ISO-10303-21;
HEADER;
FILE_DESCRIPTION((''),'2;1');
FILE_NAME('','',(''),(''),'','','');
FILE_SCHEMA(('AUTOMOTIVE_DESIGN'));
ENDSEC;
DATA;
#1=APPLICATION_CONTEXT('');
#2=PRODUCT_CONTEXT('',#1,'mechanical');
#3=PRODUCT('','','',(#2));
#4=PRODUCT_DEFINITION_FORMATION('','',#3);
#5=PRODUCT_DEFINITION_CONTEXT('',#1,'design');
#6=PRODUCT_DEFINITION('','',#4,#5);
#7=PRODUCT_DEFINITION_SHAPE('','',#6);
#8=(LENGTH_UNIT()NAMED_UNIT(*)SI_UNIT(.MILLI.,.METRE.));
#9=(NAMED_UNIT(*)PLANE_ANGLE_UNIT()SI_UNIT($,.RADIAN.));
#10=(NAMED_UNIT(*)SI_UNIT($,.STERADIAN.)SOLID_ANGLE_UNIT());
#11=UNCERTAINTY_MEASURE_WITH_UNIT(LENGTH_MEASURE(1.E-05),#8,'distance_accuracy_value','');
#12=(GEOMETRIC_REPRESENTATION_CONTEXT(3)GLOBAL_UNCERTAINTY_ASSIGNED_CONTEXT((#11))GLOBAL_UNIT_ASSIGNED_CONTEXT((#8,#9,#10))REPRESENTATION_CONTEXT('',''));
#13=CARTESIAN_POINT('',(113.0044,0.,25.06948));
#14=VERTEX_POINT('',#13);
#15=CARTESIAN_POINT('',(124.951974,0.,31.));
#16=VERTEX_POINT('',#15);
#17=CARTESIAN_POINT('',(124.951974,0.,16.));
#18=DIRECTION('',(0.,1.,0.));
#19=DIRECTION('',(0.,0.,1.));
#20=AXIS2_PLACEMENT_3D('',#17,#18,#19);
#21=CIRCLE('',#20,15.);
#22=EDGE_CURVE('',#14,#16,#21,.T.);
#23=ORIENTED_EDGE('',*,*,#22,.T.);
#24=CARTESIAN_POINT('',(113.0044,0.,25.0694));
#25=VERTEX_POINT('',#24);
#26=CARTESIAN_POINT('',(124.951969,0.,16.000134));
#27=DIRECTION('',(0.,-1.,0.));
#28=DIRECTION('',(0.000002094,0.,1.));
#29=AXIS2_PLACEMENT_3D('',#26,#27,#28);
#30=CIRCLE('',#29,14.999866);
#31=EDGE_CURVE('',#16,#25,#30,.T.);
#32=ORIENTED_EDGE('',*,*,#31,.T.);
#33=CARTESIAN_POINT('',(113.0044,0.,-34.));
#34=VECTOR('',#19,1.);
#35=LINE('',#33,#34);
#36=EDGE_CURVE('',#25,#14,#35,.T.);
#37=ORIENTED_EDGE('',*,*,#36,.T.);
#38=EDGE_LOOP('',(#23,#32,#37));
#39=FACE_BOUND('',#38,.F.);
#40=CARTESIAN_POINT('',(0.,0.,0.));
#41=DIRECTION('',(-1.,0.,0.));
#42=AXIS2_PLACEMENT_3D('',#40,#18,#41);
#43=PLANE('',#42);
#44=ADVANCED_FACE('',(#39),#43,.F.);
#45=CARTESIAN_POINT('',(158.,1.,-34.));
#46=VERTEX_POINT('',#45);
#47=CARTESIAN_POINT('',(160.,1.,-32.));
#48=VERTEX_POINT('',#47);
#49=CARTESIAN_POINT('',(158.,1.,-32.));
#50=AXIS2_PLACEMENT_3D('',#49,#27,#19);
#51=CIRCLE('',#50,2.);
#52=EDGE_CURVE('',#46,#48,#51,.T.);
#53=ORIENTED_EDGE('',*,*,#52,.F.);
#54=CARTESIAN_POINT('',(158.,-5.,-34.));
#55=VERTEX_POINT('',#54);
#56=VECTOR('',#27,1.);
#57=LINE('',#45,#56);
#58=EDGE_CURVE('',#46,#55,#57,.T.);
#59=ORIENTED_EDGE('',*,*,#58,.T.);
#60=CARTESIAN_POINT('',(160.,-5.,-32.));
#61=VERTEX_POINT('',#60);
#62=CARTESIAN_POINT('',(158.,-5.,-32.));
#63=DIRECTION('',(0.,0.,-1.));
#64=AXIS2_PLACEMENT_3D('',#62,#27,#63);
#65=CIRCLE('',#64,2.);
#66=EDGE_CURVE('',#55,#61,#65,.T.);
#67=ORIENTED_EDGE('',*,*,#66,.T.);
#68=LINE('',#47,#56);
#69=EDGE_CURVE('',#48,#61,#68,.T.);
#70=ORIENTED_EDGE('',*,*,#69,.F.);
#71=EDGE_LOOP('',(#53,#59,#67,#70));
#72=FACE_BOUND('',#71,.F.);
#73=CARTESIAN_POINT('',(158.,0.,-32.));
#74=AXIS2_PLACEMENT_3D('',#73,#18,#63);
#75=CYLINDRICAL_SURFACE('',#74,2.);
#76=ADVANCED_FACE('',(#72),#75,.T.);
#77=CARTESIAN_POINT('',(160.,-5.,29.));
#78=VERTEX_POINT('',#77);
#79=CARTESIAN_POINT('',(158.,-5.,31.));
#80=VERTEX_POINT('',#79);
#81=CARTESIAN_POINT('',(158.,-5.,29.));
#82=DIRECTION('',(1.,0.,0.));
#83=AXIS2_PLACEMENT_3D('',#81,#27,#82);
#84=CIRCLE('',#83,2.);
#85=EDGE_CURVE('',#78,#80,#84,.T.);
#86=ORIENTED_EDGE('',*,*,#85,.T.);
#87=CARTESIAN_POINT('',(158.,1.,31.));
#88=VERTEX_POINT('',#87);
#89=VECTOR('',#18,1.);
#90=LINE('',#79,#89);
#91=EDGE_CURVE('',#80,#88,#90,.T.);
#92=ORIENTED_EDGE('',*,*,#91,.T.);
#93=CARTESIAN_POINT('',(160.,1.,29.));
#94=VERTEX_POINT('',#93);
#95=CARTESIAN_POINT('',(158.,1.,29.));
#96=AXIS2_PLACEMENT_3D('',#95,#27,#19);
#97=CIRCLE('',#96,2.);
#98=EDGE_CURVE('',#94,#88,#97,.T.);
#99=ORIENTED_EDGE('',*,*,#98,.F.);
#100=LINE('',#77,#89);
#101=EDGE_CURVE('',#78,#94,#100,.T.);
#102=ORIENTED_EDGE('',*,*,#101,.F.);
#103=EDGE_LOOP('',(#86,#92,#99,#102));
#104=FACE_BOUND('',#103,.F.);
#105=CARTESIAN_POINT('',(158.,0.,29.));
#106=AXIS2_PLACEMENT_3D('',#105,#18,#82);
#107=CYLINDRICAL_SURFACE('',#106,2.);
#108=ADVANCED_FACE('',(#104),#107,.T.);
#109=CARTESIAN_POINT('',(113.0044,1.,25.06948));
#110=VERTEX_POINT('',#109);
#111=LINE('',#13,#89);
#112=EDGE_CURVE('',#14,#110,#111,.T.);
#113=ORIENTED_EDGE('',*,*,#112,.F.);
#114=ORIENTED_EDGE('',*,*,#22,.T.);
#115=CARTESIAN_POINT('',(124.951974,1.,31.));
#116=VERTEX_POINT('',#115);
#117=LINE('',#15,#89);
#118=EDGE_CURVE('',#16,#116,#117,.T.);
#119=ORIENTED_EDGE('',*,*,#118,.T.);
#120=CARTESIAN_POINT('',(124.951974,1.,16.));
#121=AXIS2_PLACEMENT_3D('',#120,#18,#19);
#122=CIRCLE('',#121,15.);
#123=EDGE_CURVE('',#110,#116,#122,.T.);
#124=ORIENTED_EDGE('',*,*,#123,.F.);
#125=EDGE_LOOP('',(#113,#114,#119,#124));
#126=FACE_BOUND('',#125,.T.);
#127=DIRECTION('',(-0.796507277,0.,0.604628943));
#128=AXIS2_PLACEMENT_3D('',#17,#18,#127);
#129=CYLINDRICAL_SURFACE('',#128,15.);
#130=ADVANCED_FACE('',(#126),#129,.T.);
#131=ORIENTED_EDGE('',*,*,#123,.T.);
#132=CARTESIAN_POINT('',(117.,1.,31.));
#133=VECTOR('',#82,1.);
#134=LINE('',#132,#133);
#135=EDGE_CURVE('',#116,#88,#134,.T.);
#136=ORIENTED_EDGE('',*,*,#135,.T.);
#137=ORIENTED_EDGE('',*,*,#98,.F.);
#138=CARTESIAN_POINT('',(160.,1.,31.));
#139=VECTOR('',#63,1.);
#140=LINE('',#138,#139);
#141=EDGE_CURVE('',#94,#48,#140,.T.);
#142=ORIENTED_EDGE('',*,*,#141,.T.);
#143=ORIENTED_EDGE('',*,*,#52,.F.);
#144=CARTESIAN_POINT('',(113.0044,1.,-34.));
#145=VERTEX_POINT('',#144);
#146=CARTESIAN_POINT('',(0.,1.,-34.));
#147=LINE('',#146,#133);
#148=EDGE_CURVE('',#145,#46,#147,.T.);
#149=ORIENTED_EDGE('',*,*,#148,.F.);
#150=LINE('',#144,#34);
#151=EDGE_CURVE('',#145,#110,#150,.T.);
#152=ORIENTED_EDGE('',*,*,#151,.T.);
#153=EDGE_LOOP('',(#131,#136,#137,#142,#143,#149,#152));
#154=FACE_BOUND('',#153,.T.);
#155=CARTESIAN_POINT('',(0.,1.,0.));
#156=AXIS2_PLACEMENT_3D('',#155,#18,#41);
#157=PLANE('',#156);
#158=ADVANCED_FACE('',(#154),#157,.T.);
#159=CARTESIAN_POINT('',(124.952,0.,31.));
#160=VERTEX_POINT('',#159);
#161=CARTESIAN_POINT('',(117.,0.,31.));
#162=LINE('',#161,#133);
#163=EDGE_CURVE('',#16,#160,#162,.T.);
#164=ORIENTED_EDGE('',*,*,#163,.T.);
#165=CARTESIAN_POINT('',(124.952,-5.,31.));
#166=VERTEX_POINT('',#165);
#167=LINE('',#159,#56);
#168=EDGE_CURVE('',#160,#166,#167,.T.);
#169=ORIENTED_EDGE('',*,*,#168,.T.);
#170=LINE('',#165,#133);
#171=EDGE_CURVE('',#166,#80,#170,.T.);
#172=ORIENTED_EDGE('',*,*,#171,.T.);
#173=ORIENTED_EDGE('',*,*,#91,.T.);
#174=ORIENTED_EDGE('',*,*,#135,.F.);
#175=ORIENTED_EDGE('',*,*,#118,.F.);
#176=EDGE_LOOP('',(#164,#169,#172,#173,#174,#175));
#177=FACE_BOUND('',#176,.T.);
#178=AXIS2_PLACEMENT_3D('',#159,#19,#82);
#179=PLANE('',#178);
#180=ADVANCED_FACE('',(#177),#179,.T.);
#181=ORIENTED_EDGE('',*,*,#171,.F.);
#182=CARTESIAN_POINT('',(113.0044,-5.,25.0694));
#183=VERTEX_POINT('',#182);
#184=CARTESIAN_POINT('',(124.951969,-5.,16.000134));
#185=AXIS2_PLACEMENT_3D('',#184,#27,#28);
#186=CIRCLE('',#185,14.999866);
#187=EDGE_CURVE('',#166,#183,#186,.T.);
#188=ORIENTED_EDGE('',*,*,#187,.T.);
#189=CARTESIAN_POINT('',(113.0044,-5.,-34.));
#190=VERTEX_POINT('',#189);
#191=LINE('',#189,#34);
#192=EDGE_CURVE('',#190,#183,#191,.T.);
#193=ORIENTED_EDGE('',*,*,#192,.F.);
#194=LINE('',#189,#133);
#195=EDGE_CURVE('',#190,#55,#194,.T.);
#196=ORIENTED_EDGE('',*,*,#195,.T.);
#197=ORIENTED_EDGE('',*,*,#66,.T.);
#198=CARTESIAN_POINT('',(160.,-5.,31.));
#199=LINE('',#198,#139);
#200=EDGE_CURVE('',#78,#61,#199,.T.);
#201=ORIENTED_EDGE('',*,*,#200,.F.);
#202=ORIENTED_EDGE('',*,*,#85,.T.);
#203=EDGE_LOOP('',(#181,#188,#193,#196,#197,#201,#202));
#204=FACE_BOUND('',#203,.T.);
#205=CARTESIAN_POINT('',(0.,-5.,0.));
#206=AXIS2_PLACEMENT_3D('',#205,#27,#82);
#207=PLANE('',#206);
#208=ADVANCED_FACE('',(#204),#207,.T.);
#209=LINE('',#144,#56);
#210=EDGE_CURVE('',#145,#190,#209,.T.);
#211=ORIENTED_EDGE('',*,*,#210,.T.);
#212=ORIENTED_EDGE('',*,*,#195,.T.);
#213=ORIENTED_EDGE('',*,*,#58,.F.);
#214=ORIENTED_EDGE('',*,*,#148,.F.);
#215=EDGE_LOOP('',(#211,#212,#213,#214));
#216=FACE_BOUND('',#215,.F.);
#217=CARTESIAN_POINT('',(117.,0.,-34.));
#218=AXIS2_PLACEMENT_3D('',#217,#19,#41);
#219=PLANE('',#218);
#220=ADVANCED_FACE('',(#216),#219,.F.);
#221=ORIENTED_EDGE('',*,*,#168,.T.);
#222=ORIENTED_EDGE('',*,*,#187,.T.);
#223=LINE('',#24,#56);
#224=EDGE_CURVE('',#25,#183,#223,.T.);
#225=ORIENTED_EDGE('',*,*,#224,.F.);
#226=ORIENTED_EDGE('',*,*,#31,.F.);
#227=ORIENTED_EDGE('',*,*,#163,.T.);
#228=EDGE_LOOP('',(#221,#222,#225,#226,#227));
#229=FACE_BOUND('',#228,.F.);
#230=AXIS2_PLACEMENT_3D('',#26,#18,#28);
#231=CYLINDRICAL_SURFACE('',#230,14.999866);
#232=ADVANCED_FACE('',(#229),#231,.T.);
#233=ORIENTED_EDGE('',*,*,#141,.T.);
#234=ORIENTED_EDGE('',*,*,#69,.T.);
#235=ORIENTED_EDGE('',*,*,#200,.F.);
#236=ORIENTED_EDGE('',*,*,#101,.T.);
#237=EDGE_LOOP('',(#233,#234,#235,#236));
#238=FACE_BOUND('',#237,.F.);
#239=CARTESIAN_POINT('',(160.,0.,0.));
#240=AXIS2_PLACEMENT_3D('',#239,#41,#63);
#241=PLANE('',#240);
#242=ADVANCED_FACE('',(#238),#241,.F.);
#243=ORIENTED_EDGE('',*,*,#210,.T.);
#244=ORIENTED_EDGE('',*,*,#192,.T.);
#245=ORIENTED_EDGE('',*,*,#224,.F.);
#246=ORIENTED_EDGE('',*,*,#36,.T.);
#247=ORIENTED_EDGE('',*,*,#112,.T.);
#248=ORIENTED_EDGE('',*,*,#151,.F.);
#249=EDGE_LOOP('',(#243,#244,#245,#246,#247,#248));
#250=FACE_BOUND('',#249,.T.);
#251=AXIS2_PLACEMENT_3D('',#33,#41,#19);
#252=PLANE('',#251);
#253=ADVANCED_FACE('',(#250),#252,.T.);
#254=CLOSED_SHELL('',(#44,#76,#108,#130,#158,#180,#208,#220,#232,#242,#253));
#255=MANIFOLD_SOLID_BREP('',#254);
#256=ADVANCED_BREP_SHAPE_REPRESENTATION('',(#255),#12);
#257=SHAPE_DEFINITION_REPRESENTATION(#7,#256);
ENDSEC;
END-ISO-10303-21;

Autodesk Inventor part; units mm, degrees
ref_plane "YZ Plane" through (0, 0, 0) normal (1, 0, 0) x (0, 1, 0)
ref_plane "XZ Plane" through (0, 0, 0) normal (0, 1, 0) x (-1, 0, 0)
ref_plane "XY Plane" through (0, 0, 0) normal (0, 0, 1) x (1, 0, 0)
sketch "Esboço1" plane through (0, 0, 0) normal (0, 1, 0) x (-1, 0, 0)
  line L0 (0, 0) -> (-160, 0)
  line L1 (-160, 0) -> (-160, -34)
  line L2 (-160, -34) -> (0, -34)
  line L3 (0, -34) -> (0, 0)
  line L4 (0, 0) -> (-4, 0)
  line L5 (-4, 0) -> (-62.5, 0)
  line L6 (-160, -34) -> (-160, 31)
  line L7 (-160, -34) -> (-117, -34)
  line L8 (-117, -34) -> (-117, 31)
  line L9 (-117, 31) -> (-160, 31)
  line L10 (-160, 31) -> (-160, -34)
  arc A0 (-117, 31) -> (-62.5, 0) centre (-62.5, 63.4073) ccw
  dimension "d0" = 160
  dimension "d1" = 34
  dimension "d2" = 4
  dimension "d3" = 58.5
  dimension "d4" = 65
  dimension "d5" = 43
extrude "Extrusão1" add sketch "Esboço1" along normal blind 1
fillet "Arredondamento1" radius 2 4 edges at (160, 0.5, 31) (160, 0.5, -34) (0, 0.5, 0) (0, 0.5, -34)
fillet "Arredondamento2" radius 15 1 edges at (117, 0.5, 31)
sketch "Esboço5" plane through (0, 1, 0) normal (0, 1, 0) x (1, 0, 0)
  line L0 (160, -29) -> (160, 32) projected
  line L1 (160, -21.1735) -> (160, -7.1735)
  line L2 (160, -21.1735) -> (146, -21.1735)
  line L3 (124.952, -31) -> (158, -31) projected
  line L4 (146, -31) -> (139, -31)
  line L5 (146, -31) -> (146, -24)
  circle A0 centre (146, -24) radius 3.5
  line L6 (146, -24) -> (130, -24)
  circle A1 centre (130, -24) radius 3.5
  line L7 (146, -24) -> (146, 8)
  circle A2 centre (146, 8) radius 3.5
  line L8 (146, 8) -> (130, 8)
  circle A3 centre (130, 8) radius 3.5
  point P0 (0, 0)
  dimension "d32" = 14
  dimension "d33" = 14
  dimension "d34" = 7
  dimension "d35" = 7
  dimension "d36" = 7
  dimension "d37" = 16
  dimension "d38" = 7
  dimension "d39" = 32
  dimension "d40" = 7
  dimension "d41" = 7
extrude "Extrusão3" add sketch "Esboço5" along normal blind 1
sketch "Esboço6" plane through (130, 2, -8) normal (0, 1, 0) x (1, 0, 0)
  circle A0 centre (0, 0) radius 2.25
  circle A1 centre (16, 0) radius 3.5 projected
  circle A2 centre (16, 0) radius 2.25
  circle A3 centre (0, -32) radius 3.5 projected
  circle A4 centre (0, -32) radius 2.25
  circle A5 centre (16, -32) radius 3.5 projected
  circle A6 centre (16, -32) radius 2.25
  point P0 (-130, -8)
  dimension "d44" = 4.5
  dimension "d45" = 4.5
  dimension "d46" = 4.5
  dimension "d47" = 4.5
extrude "Extrusão4" add sketch "Esboço6" along normal blind 2.5 contours A0 | A2 | A4 | A6
sketch "Esboço7" plane through (130, 4.5, -8) normal (0, 1, 0) x (1, 0, 0)
  circle A0 centre (0, 0) radius 2.25 projected
  line L0 (-0.7066, -1.2286) -> (-1.4173, -0.0023)
  line L1 (-1.4173, -0.0023) -> (-0.7107, 1.2262)
  line L2 (-0.7107, 1.2262) -> (0.7066, 1.2286)
  line L3 (0.7066, 1.2286) -> (1.4173, 0.0023)
  line L4 (1.4173, 0.0023) -> (0.7107, -1.2262)
  line L5 (0.7107, -1.2262) -> (-0.7066, -1.2286)
  line L6 (0, 0) -> (8, 0)
  line L7 (8, 0) -> (8, -3.5397)
  circle A1 centre (16, 0) radius 2.25
  line L8 (16.7066, -1.2286) -> (17.4173, -0.0023)
  line L9 (17.4173, -0.0023) -> (16.7107, 1.2262)
  line L10 (16.7107, 1.2262) -> (15.2934, 1.2286)
  line L11 (15.2934, 1.2286) -> (14.5827, 0.0023)
  line L12 (14.5827, 0.0023) -> (15.2893, -1.2262)
  line L13 (15.2893, -1.2262) -> (16.7066, -1.2286)
  line L14 (0, 0) -> (0, -16)
  line L15 (0, -16) -> (6.7888, -16)
  circle A2 centre (0, -32) radius 2.25
  line L16 (-0.7066, -30.7714) -> (-1.4173, -31.9977)
  line L17 (-1.4173, -31.9977) -> (-0.7107, -33.2262)
  line L18 (-0.7107, -33.2262) -> (0.7066, -33.2286)
  line L19 (0.7066, -33.2286) -> (1.4173, -32.0023)
  line L20 (1.4173, -32.0023) -> (0.7107, -30.7738)
  line L21 (0.7107, -30.7738) -> (-0.7066, -30.7714)
  circle A3 centre (16, -32) radius 2.25
  line L22 (16.7066, -30.7714) -> (17.4173, -31.9977)
  line L23 (17.4173, -31.9977) -> (16.7107, -33.2262)
  line L24 (16.7107, -33.2262) -> (15.2934, -33.2286)
  line L25 (15.2934, -33.2286) -> (14.5827, -32.0023)
  line L26 (14.5827, -32.0023) -> (15.2893, -30.7738)
  line L27 (15.2893, -30.7738) -> (16.7066, -30.7714)
  point P0 (-130, -8)
  dimension "d50" = 8
  dimension "d51" = 16
extrude "Extrusão5" cut sketch "Esboço7" against normal blind 1.5 contours L6 L14 L5 L0 L1 L2 L3 L4 | L4 L5 L14 L6 | L13 L12 L11 L10 L9 L8 | L21 L20 L19 L18 L17 L16 | L22 L23 L24 L25 L26 L27
sketch "Esboço8" plane through (0, 1, 0) normal (0, 1, 0) x (1, 0, 0)
  line L0 (0, 0) -> (6, 0)
  line L1 (2, 0) -> (62.5, 0) projected
  line L2 (6, 0) -> (-1.5, 0)
  line L3 (6, 0) -> (6, 7.5)
  circle A0 centre (6, 7.5) radius 2.25
  line L4 (0, 32) -> (0, 2) projected
  line L5 (0, 17) -> (13.7618, 17)
  circle A1 centre (6, 26.5) radius 2.25
  dimension "d54" = 6
  dimension "d55" = 7.5
  dimension "d56" = 7.5
  dimension "d57" = 4.5
extrude "Extrusão6" cut sketch "Esboço8" against normal blind 0.1
sketch "Esboço9" plane through (6, 0.9, -26.5) normal (0, 1, 0) x (1, 0, 0)
  circle A0 centre (0, -19) radius 2.25 projected
  line L0 (0, -19) -> (0.25, -19)
  line L1 (0.25, -19) -> (0.25, -20.5)
  line L2 (0.25, -20.5) -> (0, -20.5)
  line L3 (0, -20.5) -> (0, -19)
  line L4 (0, -20.5) -> (-0.25, -20.5)
  line L5 (-0.25, -20.5) -> (-0.25, -19)
  line L6 (-0.25, -19) -> (0, -19)
  line L7 (0, -19) -> (0, -20.5)
  line L8 (0.25, -20.5) -> (-0.25, -20.5)
  line L9 (-0.25, -20.5) -> (-0.25, -17.5)
  line L10 (-0.25, -17.5) -> (0.25, -17.5)
  line L11 (0.25, -17.5) -> (0.25, -20.5)
  line L12 (0, -19) -> (1.5, -19)
  line L13 (1.5, -19) -> (1.5, -18.75)
  line L14 (1.5, -18.75) -> (0, -18.75)
  line L15 (0, -18.75) -> (0, -19)
  line L16 (1.5, -18.75) -> (-1.5, -18.75)
  line L17 (-1.5, -18.75) -> (-1.5, -19.25)
  line L18 (-1.5, -19.25) -> (1.5, -19.25)
  line L19 (1.5, -19.25) -> (1.5, -18.75)
  line L20 (-6, 5.5) -> (-6, -24.5) projected
  line L21 (-6, -9.5) -> (4.7143, -9.5)
  line L22 (0, 0) -> (0.25, 0)
  line L23 (0.25, 0) -> (0.25, 1.5)
  line L24 (0.25, 1.5) -> (0, 1.5)
  line L25 (0, 1.5) -> (0, 0)
  line L26 (0, 1.5) -> (-0.25, 1.5)
  line L27 (-0.25, 1.5) -> (-0.25, 0)
  line L28 (-0.25, 0) -> (0, 0)
  line L29 (0, 0) -> (0, 1.5)
  line L30 (0.25, 1.5) -> (-0.25, 1.5)
  line L31 (-0.25, 1.5) -> (-0.25, -1.5)
  line L32 (-0.25, -1.5) -> (0.25, -1.5)
  line L33 (0.25, -1.5) -> (0.25, 1.5)
  line L34 (0, 0) -> (1.5, 0)
  line L35 (1.5, 0) -> (1.5, -0.25)
  line L36 (1.5, -0.25) -> (0, -0.25)
  line L37 (0, -0.25) -> (0, 0)
  line L38 (1.5, -0.25) -> (-1.5, -0.25)
  line L39 (-1.5, -0.25) -> (-1.5, 0.25)
  line L40 (-1.5, 0.25) -> (1.5, 0.25)
  line L41 (1.5, 0.25) -> (1.5, -0.25)
  point P0 (-6, -26.5)
  point P1 (-0.25, -19.25)
  point P2 (0.25, -19.25)
  point P3 (0.25, -18.75)
  point P4 (-0.25, -18.75)
  point P5 (0.25, 0.25)
  point P6 (-0.25, 0.25)
  point P7 (-0.25, -0.25)
  point P8 (0.25, -0.25)
  dimension "d60" = 0.25
  dimension "d61" = 1.5
  dimension "d62" = 0.25
  dimension "d63" = 3
  dimension "d64" = 1.5
  dimension "d65" = 0.25
  dimension "d66" = 3
  dimension "d67" = 0.5
extrude "Extrusão7" cut sketch "Esboço9" against normal blind 0.1 contours L15 L14 L11 L0 | L0 L1 L18 L3 | L3 L18 L5 L6 | L6 L9 L16 L15 | L12 L19 L18 L1 | L11 L14 L13 L12 | L18 L1 L2 L3 | L3 L4 L5 L18 | L5 L18 L17 L16 L9 | L16 L9 L10 L11 L14 | L25 L40 L23 L22 | L28 L27 L40 L25 | L37 L38 L31 L28 | L22 L33 L36 L37 | L34 L35 L36 L33 | L23 L40 L41 L34 | L40 L27 L26 L25 | L25 L24 L23 L40 | L31 L38 L39 L40 L27 | L36 L33 L32 L31 L38
sketch "Esboço10" plane through (6, 0.9, -26.5) normal (0, 1, 0) x (1, 0, 0)
  line L0 (0, 0) -> (52, 0)
  circle A0 centre (52, 0) radius 2.25
  circle A1 centre (0, -19) radius 2.25 projected
  line L1 (0, -19) -> (52, -19)
  circle A2 centre (52, -19) radius 2.25
  point P0 (-6, -26.5)
  dimension "d70" = 52
  dimension "d71" = 4.5
  dimension "d72" = 52
  dimension "d73" = 4.5
extrude "Extrusão8" cut sketch "Esboço10" along normal blind 2 contours A0 | A2
sketch "Esboço11" plane through (58, 0.9, -26.5) normal (0, 1, 0) x (1, 0, 0)
  line L0 (0, 0) -> (0.25, 0)
  line L1 (0.25, 0) -> (0.25, 1.5)
  line L2 (0.25, 1.5) -> (0, 1.5)
  line L3 (0, 1.5) -> (0, 0)
  line L4 (0.25, 1.5) -> (-0.25, 1.5)
  line L5 (-0.25, 1.5) -> (-0.25, -1.5)
  line L6 (-0.25, -1.5) -> (0.25, -1.5)
  line L7 (0.25, -1.5) -> (0.25, 1.5)
  line L8 (0, 0) -> (1.5, 0)
  line L9 (1.5, 0) -> (1.5, 0.25)
  line L10 (1.5, 0.25) -> (0, 0.25)
  line L11 (0, 0.25) -> (0, 0)
  line L12 (1.5, 0.25) -> (-1.5, 0.25)
  line L13 (-1.5, 0.25) -> (-1.5, -0.25)
  line L14 (-1.5, -0.25) -> (1.5, -0.25)
  line L15 (1.5, -0.25) -> (1.5, 0.25)
  line L16 (-58, 5.5) -> (-58, -24.5) projected
  line L17 (-58, -9.5) -> (-46.2393, -9.5)
  line L18 (0, -19) -> (0.25, -19)
  line L19 (0.25, -19) -> (0.25, -20.5)
  line L20 (0.25, -20.5) -> (0, -20.5)
  line L21 (0, -20.5) -> (0, -19)
  line L22 (0.25, -20.5) -> (-0.25, -20.5)
  line L23 (-0.25, -20.5) -> (-0.25, -17.5)
  line L24 (-0.25, -17.5) -> (0.25, -17.5)
  line L25 (0.25, -17.5) -> (0.25, -20.5)
  line L26 (0, -19) -> (1.5, -19)
  line L27 (1.5, -19) -> (1.5, -19.25)
  line L28 (1.5, -19.25) -> (0, -19.25)
  line L29 (0, -19.25) -> (0, -19)
  line L30 (1.5, -19.25) -> (-1.5, -19.25)
  line L31 (-1.5, -19.25) -> (-1.5, -18.75)
  line L32 (-1.5, -18.75) -> (1.5, -18.75)
  line L33 (1.5, -18.75) -> (1.5, -19.25)
  point P0 (-58, -26.5)
  point P1 (0.25, -0.25)
  point P2 (1.5, 0)
  point P3 (0.25, 0.25)
  point P4 (0, 1.5)
  point P5 (-0.25, 0.25)
  point P6 (-0.25, -0.25)
  point P7 (0.25, -19.25)
  point P8 (1.5, -19)
  point P9 (0.25, -18.75)
  point P10 (-0.25, -18.75)
  point P11 (-0.25, -19.25)
  dimension "d76" = 0.25
  dimension "d77" = 1.5
  dimension "d78" = 0.5
  dimension "d79" = 3
  dimension "d80" = 1.5
  dimension "d81" = 0.25
  dimension "d82" = 3
  dimension "d83" = 0.5
extrude "Extrusão9" cut sketch "Esboço11" against normal blind 0.1
sketch "Esboço12" plane through (0, 0, 0) normal (0, -1, 0) x (1, 0, 0)
  arc A0 (124.952, 31) -> (113.0044, 25.0694) centre (124.952, 16) ccw projected
  line L0 (160, -34) -> (124.952, -34)
  line L1 (124.952, -34) -> (124.952, 31)
  line L2 (124.952, 31) -> (160, 31)
  line L3 (160, 31) -> (160, -34)
  line L4 (113.0044, 25.0694) -> (124.952, 25.0694)
  line L5 (124.952, 25.0694) -> (124.952, -34)
  line L6 (124.952, -34) -> (113.0044, -34)
  line L7 (113.0044, -34) -> (113.0044, 25.0694)
  arc A1 (124.952, 31) -> (113.0044, 25.0694) centre (124.952, 16) ccw
  point P0 (0, 0)
extrude "Extrusão10" add sketch "Esboço12" along normal blind 5
sketch "Esboço13" plane through (0, 1, 0) normal (0, 1, 0) x (1, 0, 0)
  point P0 (0, 0)
sketch "Esboço14" plane through (0, -5, 0) normal (0, -1, 0) x (1, 0, 0)
  arc A0 (160, 29) -> (158, 31) centre (158, 29) ccw projected
  circle A1 centre (158, 29) radius 2
  arc A2 (158, -34) -> (160, -32) centre (158, -32) ccw projected
  circle A3 centre (158, -32) radius 2
  line L0 (160, 31) -> (124.952, 31) projected
  line L1 (158, 29) -> (160, 29)
  line L2 (160, 29) -> (160, 31)
  line L3 (160, 31) -> (158, 31)
  line L4 (158, 31) -> (158, 29)
  line L5 (158, -32) -> (160, -32)
  line L6 (160, -32) -> (160, -34)
  line L7 (160, -34) -> (158, -34)
  line L8 (158, -34) -> (158, -32)
  point P0 (0, 0)
extrude "Extrusão11" cut sketch "Esboço14" against normal blind 20 contours A0 L0 L2 | A2 L6 L7
sketch "Esboço15" plane through (158, 1, -34) normal (0, 0, -1) x (-1, 0, 0)
  line L0 (44.9956, -1) -> (95.5, -1) projected
  line L1 (44.9956, -1) -> (158, -1)
  line L2 (158, -1) -> (158, 2.7863)
  line L3 (158, 2.7863) -> (44.9956, 2.7863)
  line L4 (44.9956, 2.7863) -> (44.9956, -1)
  line L5 (-2, 0) -> (0, 0) projected
  line L6 (-2, 0) -> (44.9956, 0)
  line L7 (44.9956, 0) -> (44.9956, 5.0916)
  line L8 (44.9956, 5.0916) -> (-2, 5.0916)
  line L9 (-2, 5.0916) -> (-2, 0)
  point P0 (44.9956, 0)
extrude "Extrusão12" cut sketch "Esboço15" against normal blind 66
properties part number "Calco"
